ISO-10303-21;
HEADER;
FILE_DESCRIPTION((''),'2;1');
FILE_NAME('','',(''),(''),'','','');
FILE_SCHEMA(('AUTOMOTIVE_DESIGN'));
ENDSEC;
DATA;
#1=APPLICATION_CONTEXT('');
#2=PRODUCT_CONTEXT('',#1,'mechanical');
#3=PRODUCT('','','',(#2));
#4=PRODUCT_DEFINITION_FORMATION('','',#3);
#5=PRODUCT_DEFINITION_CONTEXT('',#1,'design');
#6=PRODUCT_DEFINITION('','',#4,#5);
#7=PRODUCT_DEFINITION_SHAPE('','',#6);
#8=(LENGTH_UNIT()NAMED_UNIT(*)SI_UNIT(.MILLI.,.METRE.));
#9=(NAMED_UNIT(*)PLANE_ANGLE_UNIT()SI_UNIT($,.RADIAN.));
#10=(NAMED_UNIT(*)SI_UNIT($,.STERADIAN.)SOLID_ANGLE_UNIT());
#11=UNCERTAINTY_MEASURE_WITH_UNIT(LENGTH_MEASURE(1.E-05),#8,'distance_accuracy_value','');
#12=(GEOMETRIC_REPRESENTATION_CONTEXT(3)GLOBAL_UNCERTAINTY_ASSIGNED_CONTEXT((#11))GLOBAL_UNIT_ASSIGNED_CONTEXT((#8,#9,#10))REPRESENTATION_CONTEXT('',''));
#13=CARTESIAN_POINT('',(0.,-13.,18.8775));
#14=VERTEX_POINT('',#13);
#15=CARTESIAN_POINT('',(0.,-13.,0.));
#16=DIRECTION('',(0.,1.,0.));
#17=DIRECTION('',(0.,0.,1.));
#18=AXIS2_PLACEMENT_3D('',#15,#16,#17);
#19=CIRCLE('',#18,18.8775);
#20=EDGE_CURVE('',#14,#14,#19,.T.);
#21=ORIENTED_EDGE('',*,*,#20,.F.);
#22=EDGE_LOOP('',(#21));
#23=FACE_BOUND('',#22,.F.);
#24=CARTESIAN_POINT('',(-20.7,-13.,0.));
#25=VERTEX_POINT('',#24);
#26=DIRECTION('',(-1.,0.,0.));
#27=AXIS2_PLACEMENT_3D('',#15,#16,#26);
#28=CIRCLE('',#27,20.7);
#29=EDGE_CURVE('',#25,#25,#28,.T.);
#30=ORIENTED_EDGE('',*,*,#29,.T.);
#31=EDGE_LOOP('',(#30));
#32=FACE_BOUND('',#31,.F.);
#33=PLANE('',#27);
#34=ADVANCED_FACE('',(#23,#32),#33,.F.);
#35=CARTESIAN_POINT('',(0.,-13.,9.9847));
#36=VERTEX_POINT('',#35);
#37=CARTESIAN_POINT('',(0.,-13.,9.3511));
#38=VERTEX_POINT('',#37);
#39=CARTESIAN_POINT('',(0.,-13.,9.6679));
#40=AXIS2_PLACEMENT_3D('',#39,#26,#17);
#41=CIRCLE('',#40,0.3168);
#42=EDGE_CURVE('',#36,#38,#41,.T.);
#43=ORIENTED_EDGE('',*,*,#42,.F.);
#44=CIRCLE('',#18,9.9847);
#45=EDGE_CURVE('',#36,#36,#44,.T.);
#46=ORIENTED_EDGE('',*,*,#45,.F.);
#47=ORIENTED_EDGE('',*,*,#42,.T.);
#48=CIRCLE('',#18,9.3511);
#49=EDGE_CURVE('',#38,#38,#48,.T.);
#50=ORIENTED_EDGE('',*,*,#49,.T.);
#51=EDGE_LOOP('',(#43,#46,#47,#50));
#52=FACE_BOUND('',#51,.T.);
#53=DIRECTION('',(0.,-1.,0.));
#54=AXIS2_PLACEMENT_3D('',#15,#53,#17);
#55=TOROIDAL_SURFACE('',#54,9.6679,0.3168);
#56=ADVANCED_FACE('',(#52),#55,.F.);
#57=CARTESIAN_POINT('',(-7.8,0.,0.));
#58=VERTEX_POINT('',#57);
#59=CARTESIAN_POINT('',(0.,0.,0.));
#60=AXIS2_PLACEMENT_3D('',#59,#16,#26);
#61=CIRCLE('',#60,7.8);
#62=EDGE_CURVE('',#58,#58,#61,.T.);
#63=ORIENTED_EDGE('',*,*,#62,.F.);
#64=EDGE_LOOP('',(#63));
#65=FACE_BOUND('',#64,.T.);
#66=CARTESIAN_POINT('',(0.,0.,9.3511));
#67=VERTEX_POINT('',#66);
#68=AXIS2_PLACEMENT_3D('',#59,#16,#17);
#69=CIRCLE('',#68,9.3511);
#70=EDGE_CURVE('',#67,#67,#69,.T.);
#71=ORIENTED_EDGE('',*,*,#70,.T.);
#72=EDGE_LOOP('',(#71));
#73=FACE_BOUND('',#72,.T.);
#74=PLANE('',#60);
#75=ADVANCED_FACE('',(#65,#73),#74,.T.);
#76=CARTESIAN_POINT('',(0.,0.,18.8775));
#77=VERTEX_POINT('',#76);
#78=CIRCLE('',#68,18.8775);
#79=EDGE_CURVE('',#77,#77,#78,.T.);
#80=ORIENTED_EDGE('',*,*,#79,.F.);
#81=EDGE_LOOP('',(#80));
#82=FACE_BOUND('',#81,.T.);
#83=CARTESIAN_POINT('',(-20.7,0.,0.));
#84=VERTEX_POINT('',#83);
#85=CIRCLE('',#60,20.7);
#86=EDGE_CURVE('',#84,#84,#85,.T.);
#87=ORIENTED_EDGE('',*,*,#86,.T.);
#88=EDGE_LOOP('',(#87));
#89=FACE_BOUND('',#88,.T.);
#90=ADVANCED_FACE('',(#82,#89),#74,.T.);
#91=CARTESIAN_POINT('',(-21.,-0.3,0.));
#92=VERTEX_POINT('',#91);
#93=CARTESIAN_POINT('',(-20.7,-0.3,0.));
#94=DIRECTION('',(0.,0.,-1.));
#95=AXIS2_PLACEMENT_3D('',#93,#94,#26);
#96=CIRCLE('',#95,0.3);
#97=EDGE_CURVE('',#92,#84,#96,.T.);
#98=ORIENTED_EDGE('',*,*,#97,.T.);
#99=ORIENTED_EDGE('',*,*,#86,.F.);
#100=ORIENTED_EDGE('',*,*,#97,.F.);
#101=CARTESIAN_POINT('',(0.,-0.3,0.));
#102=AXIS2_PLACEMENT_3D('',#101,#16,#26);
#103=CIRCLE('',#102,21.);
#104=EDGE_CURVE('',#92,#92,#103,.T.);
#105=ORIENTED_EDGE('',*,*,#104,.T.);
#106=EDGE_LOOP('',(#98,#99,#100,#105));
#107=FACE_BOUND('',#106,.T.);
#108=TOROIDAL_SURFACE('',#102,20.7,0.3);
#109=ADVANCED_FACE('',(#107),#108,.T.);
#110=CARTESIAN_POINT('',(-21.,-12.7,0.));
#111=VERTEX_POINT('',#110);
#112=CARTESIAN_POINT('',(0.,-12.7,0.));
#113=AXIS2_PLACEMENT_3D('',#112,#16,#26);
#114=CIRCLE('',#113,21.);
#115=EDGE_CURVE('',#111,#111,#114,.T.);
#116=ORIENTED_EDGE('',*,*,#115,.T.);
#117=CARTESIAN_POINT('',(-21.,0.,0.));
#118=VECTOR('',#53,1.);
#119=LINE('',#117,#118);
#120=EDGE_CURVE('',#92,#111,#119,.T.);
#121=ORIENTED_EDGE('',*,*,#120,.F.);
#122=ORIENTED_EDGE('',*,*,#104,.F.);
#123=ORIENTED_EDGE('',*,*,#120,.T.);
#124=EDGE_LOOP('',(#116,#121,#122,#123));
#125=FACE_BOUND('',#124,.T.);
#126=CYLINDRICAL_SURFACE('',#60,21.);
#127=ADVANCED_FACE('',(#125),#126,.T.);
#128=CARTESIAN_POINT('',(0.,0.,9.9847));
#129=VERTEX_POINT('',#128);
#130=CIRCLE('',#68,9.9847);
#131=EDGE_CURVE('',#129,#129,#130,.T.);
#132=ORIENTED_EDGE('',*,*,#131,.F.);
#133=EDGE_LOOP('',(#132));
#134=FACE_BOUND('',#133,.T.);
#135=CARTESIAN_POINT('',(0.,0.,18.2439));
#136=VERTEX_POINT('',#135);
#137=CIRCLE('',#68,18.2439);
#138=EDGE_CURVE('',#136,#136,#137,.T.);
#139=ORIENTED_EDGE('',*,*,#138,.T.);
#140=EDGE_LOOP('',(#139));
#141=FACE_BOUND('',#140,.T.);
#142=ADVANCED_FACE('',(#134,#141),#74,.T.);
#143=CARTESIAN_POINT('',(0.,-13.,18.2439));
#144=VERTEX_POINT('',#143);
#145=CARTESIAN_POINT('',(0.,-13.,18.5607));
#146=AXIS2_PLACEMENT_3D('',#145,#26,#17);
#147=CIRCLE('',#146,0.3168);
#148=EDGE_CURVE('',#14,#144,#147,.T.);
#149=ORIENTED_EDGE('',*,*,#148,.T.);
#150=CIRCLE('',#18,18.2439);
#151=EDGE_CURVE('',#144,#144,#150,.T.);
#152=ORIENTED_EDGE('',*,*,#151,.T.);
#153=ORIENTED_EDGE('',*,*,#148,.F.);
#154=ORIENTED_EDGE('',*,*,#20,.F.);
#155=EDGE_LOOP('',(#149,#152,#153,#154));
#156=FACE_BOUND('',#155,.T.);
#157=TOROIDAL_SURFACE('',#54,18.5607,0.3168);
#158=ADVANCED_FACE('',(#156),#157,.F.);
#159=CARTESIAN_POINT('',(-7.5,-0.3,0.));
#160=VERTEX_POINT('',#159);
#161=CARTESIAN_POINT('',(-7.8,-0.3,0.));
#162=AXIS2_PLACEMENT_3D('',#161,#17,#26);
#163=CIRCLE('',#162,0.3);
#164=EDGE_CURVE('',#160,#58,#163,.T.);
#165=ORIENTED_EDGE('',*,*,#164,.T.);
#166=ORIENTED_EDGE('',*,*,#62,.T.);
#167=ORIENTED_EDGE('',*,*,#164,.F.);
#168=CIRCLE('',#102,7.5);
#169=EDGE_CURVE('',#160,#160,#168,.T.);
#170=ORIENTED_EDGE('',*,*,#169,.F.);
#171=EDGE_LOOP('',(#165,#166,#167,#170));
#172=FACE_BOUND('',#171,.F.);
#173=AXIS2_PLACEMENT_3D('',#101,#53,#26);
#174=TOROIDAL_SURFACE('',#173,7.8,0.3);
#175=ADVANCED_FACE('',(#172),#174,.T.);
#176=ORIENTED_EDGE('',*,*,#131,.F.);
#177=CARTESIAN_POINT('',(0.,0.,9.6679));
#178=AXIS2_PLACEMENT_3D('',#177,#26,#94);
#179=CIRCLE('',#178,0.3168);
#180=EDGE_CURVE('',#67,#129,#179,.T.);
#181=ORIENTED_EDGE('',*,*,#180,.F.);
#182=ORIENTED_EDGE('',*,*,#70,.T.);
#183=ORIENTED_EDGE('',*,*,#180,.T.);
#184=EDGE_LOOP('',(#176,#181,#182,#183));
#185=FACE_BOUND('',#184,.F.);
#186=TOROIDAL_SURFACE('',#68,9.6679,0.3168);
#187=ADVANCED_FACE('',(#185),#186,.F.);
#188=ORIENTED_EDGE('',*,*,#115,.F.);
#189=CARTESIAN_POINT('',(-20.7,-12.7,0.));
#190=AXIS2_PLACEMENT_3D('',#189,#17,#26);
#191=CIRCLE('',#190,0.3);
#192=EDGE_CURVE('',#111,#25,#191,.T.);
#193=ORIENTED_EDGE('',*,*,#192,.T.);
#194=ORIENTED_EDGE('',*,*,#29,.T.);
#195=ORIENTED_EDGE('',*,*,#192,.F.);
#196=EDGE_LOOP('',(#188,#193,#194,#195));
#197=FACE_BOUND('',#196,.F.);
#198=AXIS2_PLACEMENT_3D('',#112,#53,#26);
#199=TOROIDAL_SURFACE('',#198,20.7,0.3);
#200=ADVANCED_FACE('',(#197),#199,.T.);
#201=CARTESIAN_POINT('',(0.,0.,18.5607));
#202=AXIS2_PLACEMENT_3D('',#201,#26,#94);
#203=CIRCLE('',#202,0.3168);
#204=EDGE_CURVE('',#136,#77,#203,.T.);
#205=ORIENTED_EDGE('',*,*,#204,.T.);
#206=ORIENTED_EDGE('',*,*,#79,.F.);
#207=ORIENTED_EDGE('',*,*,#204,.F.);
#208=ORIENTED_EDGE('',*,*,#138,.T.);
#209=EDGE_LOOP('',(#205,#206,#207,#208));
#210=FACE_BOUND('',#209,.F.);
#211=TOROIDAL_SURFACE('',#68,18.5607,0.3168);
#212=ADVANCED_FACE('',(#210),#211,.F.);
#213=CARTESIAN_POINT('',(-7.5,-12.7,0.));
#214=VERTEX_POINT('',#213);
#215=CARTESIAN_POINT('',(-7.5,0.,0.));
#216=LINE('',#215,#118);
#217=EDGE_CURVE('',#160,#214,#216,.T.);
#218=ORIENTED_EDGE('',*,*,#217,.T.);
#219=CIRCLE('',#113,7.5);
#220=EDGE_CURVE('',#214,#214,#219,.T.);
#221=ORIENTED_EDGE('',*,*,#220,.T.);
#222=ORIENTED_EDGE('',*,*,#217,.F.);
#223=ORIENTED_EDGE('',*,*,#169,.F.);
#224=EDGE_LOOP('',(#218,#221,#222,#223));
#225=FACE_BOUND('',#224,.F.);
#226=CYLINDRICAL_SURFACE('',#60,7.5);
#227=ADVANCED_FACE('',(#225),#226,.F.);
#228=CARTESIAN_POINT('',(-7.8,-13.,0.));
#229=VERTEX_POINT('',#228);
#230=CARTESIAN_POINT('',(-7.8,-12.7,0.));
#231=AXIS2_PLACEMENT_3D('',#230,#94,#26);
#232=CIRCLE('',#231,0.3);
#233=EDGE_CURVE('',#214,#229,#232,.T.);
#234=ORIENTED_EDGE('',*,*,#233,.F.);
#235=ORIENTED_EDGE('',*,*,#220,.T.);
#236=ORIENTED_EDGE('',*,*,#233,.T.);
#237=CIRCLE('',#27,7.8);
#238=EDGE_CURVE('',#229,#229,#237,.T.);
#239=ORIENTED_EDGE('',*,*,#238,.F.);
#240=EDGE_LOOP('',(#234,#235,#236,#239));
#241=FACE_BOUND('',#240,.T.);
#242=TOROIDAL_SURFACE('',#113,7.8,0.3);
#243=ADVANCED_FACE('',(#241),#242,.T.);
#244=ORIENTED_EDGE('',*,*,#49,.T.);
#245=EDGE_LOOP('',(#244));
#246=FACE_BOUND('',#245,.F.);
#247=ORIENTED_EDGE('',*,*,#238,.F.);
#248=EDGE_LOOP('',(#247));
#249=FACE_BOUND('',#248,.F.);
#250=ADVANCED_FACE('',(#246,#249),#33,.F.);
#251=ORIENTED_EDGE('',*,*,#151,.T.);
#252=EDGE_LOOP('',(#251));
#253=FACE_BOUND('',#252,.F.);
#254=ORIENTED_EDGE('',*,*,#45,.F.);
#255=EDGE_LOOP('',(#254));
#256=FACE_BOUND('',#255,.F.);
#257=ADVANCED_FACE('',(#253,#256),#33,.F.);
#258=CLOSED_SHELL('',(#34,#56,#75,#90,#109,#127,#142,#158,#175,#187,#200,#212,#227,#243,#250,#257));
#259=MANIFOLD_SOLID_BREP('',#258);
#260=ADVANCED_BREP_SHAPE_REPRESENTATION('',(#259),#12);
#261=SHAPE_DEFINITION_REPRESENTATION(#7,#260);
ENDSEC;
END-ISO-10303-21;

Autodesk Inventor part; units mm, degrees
ref_plane "YZ Plane" through (0, 0, 0) normal (1, 0, 0) x (0, 1, 0)
ref_plane "XZ Plane" through (0, 0, 0) normal (0, 1, 0) x (-1, 0, 0)
sketch "Sketch1" plane through (0, 0, 0) normal (0, 1, 0) x (-1, 0, 0)
  circle A0 centre (0, 0) radius 7.5
  circle A1 centre (0, 0) radius 21
  dimension "d0" = 15
  dimension "d1" = 42
extrude "Extrusion1" add sketch "Sketch1" against normal blind 13
fillet "Fillet1" radius 0.3 4 edges at (21, 0, 0) (21, -13, 0) (7.5, 0, 0) (7.5, -13, 0)
sketch "Sketch2" plane through (0, 0, 0) normal (1, 0, 0) x (0, 1, 0)
  line L0 (-13, -20.7) -> (-13, 20.7) projected
  line L1 (-0.3, 21) -> (-12.7, 21) projected
  circle A0 centre (-13, 18.5607) radius 0.3168
  circle A1 centre (-13, 9.6679) radius 0.3168
  line L2 (-12.3802, 0) -> (2.0634, 0) projected
  point P0 (0, 0)
revolve "Revolution1" cut sketch "Sketch2" angle 360 about axis through (0, -10, 0) along (0, 1, 0)
ref_plane "Work Plane1" through (0, -6.5, 0) normal (0, 1, 0) x (1, 0, 0)
mirror "Mirror1" about plane through (0, -6.5, 0) normal (0, 1, 0) of "Revolution1"
properties part number "SHU63022RSC3" material "Stainless Steel, 440C"
